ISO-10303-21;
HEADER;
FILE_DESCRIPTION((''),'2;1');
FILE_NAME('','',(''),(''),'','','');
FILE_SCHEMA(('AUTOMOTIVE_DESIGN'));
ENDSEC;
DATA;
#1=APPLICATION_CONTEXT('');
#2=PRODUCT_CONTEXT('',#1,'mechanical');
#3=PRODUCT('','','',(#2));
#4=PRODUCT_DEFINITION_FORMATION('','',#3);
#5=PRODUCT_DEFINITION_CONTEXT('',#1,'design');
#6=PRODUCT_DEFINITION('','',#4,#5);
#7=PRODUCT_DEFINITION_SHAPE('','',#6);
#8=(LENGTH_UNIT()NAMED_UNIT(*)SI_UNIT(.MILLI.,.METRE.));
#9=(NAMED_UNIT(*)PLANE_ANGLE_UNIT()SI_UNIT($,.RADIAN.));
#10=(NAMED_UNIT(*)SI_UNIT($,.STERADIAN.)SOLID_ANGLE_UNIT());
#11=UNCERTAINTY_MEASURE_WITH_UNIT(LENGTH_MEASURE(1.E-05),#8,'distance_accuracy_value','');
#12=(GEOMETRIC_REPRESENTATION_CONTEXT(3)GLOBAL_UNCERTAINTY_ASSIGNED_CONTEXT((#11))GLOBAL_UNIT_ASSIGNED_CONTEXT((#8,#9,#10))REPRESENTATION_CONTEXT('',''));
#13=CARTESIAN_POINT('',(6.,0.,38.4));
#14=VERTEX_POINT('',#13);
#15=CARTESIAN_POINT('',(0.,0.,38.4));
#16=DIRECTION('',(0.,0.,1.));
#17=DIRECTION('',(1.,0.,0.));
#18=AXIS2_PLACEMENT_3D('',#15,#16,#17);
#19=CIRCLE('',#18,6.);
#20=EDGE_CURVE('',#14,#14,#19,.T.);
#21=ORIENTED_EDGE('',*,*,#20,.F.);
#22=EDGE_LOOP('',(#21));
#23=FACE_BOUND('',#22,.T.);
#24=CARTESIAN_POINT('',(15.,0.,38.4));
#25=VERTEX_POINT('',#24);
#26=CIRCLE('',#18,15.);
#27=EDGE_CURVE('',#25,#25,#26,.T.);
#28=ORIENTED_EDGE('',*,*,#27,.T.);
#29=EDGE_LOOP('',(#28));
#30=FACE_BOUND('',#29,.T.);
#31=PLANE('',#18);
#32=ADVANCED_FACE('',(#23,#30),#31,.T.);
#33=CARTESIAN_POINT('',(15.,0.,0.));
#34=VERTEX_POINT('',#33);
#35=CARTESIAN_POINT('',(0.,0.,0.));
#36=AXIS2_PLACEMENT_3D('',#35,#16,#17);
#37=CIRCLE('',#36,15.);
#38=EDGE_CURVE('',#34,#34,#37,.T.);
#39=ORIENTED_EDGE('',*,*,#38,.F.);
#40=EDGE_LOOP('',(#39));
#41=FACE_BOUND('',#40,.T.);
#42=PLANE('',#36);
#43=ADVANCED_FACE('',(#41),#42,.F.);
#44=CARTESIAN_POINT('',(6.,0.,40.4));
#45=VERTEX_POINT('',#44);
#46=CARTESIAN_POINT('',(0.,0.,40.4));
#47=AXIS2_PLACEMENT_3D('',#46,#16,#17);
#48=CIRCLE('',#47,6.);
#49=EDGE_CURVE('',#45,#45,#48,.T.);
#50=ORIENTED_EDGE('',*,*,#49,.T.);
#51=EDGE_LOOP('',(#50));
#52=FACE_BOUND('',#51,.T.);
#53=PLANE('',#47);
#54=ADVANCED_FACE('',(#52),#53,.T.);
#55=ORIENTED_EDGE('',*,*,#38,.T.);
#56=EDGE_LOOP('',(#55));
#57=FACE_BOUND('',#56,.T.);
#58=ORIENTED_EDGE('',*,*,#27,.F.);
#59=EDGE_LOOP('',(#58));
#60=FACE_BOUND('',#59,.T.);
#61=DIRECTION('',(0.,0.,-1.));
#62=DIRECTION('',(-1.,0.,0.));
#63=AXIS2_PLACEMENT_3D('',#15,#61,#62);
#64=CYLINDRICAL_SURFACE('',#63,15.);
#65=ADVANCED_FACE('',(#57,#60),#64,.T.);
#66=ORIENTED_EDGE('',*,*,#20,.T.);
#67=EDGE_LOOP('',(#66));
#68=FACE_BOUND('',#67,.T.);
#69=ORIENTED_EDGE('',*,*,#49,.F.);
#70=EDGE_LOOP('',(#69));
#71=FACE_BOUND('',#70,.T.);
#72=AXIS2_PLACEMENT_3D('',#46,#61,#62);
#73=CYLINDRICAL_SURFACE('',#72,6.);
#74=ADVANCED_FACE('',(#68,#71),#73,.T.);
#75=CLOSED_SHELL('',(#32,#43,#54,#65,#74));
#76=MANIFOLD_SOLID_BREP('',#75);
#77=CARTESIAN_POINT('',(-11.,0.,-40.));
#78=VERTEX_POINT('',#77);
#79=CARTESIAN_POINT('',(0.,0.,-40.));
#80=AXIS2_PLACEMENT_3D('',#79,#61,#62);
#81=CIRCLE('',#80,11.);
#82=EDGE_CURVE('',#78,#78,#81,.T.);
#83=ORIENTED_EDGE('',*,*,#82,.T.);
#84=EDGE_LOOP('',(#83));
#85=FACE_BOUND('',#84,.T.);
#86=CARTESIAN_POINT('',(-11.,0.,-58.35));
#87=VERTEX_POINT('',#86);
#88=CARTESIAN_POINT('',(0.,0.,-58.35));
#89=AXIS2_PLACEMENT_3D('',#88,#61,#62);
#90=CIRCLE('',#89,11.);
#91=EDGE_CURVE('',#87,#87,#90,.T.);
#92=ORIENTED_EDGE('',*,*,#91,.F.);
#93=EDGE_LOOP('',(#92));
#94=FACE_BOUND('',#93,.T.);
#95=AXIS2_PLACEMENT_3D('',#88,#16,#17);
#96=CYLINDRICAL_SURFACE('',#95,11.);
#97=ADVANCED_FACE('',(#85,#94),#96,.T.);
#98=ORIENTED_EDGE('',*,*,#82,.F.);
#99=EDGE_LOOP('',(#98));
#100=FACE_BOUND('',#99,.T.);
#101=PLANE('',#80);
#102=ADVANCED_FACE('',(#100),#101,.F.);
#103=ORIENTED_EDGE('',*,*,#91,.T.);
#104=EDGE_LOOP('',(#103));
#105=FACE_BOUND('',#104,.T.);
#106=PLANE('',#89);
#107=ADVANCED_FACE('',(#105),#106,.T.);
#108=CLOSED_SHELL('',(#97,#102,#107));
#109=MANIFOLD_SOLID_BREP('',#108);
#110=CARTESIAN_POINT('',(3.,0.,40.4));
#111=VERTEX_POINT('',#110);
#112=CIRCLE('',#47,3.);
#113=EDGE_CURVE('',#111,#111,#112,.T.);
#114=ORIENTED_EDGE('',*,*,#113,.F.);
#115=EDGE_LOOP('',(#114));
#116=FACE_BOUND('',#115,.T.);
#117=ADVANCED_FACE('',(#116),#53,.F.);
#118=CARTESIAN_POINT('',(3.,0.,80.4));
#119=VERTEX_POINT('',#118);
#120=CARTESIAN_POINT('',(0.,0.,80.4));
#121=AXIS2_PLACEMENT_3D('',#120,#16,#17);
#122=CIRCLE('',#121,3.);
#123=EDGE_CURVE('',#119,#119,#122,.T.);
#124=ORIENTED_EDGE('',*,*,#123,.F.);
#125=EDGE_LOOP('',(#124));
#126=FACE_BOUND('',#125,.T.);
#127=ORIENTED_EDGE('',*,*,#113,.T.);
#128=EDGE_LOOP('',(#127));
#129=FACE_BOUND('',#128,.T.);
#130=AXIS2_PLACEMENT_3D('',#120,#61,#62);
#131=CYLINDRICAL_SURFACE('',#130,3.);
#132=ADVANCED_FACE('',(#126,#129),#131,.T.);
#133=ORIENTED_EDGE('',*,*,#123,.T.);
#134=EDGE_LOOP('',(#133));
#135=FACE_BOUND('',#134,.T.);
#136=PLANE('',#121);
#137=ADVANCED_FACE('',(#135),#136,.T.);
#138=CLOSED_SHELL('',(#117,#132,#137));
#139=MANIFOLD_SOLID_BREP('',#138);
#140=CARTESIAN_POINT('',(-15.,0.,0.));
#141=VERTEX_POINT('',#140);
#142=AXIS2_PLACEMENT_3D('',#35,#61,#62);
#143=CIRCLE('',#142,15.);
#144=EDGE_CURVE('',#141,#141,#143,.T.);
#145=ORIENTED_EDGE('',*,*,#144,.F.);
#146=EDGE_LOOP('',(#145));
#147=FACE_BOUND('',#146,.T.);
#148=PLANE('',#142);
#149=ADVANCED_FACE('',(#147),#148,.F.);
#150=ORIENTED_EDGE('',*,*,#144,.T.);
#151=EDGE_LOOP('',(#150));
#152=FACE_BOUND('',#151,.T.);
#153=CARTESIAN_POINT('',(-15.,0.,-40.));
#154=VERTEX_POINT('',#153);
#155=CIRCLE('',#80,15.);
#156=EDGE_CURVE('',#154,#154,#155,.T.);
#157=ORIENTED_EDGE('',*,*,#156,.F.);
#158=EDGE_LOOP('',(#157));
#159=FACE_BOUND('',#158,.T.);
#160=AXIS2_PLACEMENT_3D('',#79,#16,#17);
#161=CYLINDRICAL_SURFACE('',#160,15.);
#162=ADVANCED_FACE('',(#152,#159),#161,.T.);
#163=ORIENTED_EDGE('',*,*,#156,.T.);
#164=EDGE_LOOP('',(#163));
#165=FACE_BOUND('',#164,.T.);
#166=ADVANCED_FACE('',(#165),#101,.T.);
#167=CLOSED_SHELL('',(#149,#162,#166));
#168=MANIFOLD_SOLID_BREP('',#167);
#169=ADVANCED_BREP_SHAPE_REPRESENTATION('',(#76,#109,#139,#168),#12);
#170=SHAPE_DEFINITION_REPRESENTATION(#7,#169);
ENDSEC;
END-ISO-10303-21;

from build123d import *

# Parameters (mm, degrees)
SKETCH1_R           = 15
BOSS_EXTRUDE1_DEPTH = 38.4
SKETCH2_R           = 15
BOSS_EXTRUDE2_DEPTH = 40
SKETCH3_R           = 6
BOSS_EXTRUDE3_DEPTH = 2
SKETCH4_R           = 11
BOSS_EXTRUDE4_DEPTH = 18.35
SKETCH5_R           = 3
BOSS_EXTRUDE5_DEPTH = 40


with BuildPart() as part:
    # Sketch1 → Boss-Extrude1 (new body)
    with BuildSketch(Plane.XY):
        Circle(SKETCH1_R)
    extrude(amount=BOSS_EXTRUDE1_DEPTH)

    # Sketch3 → Boss-Extrude3 (add)
    with BuildSketch(Plane.XY.offset(38.4)):
        Circle(SKETCH3_R)
    extrude(amount=BOSS_EXTRUDE3_DEPTH)


with BuildPart() as body_2:
    # Sketch2 → Boss-Extrude2 (new body)
    with BuildSketch(Plane(origin=(0, 0, 0), x_dir=(-1, 0, 0), z_dir=(0, 0, -1))):
        Circle(SKETCH2_R)
    extrude(amount=BOSS_EXTRUDE2_DEPTH)


with BuildPart() as body_3:
    # Sketch4 → Boss-Extrude4 (new body)
    with BuildSketch(Plane(origin=(0, 0, -40), x_dir=(-1, 0, 0), z_dir=(0, 0, -1))):
        Circle(SKETCH4_R)
    extrude(amount=BOSS_EXTRUDE4_DEPTH)


with BuildPart() as body_4:
    # Sketch5 → Boss-Extrude5 (new body)
    with BuildSketch(Plane.XY.offset(40.4)):
        Circle(SKETCH5_R)
    extrude(amount=BOSS_EXTRUDE5_DEPTH)


solid = Compound([part.part, body_2.part, body_3.part, body_4.part])
